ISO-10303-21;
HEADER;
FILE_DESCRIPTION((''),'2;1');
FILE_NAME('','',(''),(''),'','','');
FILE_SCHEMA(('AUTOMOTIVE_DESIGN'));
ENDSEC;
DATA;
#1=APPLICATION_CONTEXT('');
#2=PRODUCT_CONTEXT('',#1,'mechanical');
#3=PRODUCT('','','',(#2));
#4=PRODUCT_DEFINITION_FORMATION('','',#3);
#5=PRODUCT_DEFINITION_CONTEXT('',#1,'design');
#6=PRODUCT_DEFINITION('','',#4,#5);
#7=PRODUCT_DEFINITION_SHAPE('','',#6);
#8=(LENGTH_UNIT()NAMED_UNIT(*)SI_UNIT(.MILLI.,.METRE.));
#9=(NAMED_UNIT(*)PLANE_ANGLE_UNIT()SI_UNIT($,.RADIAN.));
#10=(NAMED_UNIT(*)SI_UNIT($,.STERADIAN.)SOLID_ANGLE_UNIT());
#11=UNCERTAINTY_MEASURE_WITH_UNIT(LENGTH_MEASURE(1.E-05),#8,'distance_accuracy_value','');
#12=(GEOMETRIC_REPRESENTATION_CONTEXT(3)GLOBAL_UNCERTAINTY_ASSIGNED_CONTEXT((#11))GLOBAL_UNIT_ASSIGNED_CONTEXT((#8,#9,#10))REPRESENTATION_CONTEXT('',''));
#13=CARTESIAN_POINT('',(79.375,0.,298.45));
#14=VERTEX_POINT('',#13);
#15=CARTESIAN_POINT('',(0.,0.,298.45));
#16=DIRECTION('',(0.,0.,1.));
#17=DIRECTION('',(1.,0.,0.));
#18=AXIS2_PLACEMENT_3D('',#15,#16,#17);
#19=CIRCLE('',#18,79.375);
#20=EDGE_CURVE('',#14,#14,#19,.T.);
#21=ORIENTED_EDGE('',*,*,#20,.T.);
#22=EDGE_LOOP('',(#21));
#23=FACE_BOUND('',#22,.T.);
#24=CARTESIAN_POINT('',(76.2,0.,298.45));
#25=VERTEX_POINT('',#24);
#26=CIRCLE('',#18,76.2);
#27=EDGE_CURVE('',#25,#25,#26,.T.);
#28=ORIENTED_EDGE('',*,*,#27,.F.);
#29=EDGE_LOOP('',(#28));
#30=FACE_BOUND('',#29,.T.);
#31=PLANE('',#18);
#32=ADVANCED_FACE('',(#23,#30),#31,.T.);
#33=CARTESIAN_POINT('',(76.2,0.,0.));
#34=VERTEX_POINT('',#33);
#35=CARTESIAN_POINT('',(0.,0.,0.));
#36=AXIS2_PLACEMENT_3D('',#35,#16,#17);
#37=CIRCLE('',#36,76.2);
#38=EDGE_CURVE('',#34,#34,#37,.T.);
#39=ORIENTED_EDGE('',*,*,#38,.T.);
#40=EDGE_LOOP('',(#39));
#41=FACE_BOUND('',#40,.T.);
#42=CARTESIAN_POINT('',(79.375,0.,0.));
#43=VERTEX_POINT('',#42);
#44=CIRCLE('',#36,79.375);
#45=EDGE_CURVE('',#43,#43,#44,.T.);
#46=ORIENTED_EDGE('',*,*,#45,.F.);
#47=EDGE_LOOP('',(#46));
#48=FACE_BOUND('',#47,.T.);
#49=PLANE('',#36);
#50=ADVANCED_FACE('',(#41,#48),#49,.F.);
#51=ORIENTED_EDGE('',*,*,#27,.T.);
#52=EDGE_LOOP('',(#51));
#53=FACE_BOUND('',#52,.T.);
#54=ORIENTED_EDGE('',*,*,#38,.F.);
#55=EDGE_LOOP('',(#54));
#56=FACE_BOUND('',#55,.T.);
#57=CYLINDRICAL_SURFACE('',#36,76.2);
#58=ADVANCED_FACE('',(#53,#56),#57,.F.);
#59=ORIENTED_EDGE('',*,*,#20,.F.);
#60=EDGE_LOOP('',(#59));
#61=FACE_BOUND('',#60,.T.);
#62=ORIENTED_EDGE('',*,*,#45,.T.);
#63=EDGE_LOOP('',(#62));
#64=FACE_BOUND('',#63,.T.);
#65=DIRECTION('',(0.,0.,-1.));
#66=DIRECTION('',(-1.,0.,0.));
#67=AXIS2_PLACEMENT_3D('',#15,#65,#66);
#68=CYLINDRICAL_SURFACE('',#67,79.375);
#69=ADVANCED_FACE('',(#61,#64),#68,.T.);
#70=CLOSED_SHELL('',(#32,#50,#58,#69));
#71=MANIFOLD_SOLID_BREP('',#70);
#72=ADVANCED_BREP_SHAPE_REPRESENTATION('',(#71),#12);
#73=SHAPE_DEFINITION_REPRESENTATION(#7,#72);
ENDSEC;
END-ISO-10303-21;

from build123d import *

# Parameters (mm, degrees)
SKETCH2_R           = 79.375
BOSS_EXTRUDE1_DEPTH = 298.45
SKETCH3_R           = 76.2
CUT_EXTRUDE1_DEPTH  = 298.45


with BuildPart() as part:
    # Sketch2 → Boss-Extrude1 (new body)
    with BuildSketch(Plane.XY):
        Circle(SKETCH2_R)
    extrude(amount=BOSS_EXTRUDE1_DEPTH)

    # Sketch3 → Cut-Extrude1 (cut)
    with BuildSketch(Plane.XY.offset(298.45)):
        Circle(SKETCH3_R)
    extrude(amount=-CUT_EXTRUDE1_DEPTH, mode=Mode.SUBTRACT)


solid = part.part
